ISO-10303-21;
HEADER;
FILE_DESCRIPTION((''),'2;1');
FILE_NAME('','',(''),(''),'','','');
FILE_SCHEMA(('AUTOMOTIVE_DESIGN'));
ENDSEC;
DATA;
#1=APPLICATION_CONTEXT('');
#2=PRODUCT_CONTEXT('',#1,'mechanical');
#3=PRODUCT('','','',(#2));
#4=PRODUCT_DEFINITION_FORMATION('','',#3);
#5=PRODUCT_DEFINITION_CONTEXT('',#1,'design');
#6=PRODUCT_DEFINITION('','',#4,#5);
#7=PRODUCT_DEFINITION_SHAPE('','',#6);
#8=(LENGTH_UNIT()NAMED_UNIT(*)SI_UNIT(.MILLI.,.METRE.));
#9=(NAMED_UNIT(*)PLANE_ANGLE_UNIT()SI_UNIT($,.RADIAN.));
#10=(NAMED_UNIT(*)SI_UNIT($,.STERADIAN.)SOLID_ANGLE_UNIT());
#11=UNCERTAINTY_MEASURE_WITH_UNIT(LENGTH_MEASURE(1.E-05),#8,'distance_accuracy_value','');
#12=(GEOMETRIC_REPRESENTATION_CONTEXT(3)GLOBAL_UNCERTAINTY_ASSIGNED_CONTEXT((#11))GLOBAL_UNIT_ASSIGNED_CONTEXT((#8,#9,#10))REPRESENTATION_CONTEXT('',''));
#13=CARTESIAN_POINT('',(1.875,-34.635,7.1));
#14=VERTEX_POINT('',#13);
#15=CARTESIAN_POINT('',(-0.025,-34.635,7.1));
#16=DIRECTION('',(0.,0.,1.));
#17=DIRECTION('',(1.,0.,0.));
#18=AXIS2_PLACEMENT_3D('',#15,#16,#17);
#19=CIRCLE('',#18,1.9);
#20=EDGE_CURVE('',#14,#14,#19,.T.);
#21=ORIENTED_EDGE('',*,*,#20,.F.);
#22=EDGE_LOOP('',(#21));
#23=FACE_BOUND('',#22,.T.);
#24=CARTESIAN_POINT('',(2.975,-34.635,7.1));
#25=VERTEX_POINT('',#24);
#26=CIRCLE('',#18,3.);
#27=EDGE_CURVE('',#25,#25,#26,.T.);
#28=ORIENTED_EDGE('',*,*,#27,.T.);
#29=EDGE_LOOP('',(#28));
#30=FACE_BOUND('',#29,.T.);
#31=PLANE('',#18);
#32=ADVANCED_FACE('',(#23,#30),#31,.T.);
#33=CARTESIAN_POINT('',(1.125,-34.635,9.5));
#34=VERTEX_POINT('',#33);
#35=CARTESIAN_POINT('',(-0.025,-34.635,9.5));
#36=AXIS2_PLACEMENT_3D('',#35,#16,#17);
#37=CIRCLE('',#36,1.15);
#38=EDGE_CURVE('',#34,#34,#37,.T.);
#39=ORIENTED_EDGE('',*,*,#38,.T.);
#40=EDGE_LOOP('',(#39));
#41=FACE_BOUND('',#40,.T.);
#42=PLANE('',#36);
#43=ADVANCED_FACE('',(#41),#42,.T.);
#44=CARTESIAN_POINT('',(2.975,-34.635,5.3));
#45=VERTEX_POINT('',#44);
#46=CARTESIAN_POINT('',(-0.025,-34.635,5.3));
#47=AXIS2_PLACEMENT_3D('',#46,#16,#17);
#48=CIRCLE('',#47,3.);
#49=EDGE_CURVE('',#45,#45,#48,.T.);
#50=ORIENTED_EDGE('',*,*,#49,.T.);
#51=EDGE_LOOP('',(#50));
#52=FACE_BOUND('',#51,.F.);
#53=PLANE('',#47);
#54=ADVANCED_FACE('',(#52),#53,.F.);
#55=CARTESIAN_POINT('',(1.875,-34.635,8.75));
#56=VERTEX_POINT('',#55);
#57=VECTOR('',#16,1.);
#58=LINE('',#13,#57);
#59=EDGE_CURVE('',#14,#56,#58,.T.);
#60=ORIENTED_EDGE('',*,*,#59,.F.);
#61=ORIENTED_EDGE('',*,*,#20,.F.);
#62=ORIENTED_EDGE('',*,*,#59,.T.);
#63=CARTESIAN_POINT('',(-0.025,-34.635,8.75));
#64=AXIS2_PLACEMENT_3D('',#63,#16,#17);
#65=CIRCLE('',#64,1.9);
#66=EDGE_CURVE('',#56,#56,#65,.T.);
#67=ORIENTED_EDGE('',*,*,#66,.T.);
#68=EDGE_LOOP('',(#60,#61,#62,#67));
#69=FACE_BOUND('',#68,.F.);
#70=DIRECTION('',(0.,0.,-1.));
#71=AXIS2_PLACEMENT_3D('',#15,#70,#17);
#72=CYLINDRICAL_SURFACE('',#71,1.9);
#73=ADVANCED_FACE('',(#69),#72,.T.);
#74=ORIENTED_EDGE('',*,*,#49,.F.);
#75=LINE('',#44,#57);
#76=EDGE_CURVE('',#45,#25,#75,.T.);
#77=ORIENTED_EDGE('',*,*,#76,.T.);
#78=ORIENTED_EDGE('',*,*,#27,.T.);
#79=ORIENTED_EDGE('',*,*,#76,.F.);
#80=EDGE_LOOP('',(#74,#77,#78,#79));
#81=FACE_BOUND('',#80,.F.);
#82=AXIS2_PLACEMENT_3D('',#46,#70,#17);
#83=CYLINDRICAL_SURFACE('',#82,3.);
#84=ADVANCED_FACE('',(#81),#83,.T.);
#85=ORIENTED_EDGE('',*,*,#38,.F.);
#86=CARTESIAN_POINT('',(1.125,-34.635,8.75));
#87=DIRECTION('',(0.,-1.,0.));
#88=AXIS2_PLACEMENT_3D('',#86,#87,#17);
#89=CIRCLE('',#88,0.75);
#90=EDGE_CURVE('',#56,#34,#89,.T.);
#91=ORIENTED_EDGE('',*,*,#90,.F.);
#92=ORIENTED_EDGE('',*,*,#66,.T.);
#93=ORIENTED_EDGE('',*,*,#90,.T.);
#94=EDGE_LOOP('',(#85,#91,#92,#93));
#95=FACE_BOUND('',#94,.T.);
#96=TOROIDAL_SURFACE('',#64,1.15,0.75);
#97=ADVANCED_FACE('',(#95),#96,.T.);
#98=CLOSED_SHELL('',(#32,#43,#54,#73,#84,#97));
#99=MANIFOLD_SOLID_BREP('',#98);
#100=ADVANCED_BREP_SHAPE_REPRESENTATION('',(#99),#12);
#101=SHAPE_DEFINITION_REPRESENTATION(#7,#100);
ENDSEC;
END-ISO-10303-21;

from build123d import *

# Parameters (mm, degrees)
CYLINDER007_R     = 1.9
CYLINDER007_DEPTH = 2.4
CYLINDER006_R     = 3
CYLINDER006_DEPTH = 1.8
FILLET004_R       = 0.75


with BuildPart() as cylinder011:
    # Cylinder007 → Cylinder007 (new body)
    with BuildSketch(Plane.XY.offset(1.5)):
        Circle(CYLINDER007_R)
    extrude(amount=CYLINDER007_DEPTH)


with BuildPart() as tecla_reset:
    # Cylinder006 → Cylinder006 (new body)
    with BuildSketch(Plane.XY.offset(-0.3)):
        Circle(CYLINDER006_R)
    extrude(amount=CYLINDER006_DEPTH)

    # Fusion017: union Cylinder011
    add(cylinder011.part)

    # Fillet004
    fillet004_edges = [tecla_reset.edges().sort_by_distance(p)[0] for p in [
        (-1.9, 0, 3.9),
    ]]
    fillet(fillet004_edges, radius=FILLET004_R)


with BuildPart() as tecla_reset_1:
    # Fillet004 placement: moved
    add(tecla_reset.part.moved(Location((-0.025, -34.635, 5.6))))


solid = tecla_reset_1.part
